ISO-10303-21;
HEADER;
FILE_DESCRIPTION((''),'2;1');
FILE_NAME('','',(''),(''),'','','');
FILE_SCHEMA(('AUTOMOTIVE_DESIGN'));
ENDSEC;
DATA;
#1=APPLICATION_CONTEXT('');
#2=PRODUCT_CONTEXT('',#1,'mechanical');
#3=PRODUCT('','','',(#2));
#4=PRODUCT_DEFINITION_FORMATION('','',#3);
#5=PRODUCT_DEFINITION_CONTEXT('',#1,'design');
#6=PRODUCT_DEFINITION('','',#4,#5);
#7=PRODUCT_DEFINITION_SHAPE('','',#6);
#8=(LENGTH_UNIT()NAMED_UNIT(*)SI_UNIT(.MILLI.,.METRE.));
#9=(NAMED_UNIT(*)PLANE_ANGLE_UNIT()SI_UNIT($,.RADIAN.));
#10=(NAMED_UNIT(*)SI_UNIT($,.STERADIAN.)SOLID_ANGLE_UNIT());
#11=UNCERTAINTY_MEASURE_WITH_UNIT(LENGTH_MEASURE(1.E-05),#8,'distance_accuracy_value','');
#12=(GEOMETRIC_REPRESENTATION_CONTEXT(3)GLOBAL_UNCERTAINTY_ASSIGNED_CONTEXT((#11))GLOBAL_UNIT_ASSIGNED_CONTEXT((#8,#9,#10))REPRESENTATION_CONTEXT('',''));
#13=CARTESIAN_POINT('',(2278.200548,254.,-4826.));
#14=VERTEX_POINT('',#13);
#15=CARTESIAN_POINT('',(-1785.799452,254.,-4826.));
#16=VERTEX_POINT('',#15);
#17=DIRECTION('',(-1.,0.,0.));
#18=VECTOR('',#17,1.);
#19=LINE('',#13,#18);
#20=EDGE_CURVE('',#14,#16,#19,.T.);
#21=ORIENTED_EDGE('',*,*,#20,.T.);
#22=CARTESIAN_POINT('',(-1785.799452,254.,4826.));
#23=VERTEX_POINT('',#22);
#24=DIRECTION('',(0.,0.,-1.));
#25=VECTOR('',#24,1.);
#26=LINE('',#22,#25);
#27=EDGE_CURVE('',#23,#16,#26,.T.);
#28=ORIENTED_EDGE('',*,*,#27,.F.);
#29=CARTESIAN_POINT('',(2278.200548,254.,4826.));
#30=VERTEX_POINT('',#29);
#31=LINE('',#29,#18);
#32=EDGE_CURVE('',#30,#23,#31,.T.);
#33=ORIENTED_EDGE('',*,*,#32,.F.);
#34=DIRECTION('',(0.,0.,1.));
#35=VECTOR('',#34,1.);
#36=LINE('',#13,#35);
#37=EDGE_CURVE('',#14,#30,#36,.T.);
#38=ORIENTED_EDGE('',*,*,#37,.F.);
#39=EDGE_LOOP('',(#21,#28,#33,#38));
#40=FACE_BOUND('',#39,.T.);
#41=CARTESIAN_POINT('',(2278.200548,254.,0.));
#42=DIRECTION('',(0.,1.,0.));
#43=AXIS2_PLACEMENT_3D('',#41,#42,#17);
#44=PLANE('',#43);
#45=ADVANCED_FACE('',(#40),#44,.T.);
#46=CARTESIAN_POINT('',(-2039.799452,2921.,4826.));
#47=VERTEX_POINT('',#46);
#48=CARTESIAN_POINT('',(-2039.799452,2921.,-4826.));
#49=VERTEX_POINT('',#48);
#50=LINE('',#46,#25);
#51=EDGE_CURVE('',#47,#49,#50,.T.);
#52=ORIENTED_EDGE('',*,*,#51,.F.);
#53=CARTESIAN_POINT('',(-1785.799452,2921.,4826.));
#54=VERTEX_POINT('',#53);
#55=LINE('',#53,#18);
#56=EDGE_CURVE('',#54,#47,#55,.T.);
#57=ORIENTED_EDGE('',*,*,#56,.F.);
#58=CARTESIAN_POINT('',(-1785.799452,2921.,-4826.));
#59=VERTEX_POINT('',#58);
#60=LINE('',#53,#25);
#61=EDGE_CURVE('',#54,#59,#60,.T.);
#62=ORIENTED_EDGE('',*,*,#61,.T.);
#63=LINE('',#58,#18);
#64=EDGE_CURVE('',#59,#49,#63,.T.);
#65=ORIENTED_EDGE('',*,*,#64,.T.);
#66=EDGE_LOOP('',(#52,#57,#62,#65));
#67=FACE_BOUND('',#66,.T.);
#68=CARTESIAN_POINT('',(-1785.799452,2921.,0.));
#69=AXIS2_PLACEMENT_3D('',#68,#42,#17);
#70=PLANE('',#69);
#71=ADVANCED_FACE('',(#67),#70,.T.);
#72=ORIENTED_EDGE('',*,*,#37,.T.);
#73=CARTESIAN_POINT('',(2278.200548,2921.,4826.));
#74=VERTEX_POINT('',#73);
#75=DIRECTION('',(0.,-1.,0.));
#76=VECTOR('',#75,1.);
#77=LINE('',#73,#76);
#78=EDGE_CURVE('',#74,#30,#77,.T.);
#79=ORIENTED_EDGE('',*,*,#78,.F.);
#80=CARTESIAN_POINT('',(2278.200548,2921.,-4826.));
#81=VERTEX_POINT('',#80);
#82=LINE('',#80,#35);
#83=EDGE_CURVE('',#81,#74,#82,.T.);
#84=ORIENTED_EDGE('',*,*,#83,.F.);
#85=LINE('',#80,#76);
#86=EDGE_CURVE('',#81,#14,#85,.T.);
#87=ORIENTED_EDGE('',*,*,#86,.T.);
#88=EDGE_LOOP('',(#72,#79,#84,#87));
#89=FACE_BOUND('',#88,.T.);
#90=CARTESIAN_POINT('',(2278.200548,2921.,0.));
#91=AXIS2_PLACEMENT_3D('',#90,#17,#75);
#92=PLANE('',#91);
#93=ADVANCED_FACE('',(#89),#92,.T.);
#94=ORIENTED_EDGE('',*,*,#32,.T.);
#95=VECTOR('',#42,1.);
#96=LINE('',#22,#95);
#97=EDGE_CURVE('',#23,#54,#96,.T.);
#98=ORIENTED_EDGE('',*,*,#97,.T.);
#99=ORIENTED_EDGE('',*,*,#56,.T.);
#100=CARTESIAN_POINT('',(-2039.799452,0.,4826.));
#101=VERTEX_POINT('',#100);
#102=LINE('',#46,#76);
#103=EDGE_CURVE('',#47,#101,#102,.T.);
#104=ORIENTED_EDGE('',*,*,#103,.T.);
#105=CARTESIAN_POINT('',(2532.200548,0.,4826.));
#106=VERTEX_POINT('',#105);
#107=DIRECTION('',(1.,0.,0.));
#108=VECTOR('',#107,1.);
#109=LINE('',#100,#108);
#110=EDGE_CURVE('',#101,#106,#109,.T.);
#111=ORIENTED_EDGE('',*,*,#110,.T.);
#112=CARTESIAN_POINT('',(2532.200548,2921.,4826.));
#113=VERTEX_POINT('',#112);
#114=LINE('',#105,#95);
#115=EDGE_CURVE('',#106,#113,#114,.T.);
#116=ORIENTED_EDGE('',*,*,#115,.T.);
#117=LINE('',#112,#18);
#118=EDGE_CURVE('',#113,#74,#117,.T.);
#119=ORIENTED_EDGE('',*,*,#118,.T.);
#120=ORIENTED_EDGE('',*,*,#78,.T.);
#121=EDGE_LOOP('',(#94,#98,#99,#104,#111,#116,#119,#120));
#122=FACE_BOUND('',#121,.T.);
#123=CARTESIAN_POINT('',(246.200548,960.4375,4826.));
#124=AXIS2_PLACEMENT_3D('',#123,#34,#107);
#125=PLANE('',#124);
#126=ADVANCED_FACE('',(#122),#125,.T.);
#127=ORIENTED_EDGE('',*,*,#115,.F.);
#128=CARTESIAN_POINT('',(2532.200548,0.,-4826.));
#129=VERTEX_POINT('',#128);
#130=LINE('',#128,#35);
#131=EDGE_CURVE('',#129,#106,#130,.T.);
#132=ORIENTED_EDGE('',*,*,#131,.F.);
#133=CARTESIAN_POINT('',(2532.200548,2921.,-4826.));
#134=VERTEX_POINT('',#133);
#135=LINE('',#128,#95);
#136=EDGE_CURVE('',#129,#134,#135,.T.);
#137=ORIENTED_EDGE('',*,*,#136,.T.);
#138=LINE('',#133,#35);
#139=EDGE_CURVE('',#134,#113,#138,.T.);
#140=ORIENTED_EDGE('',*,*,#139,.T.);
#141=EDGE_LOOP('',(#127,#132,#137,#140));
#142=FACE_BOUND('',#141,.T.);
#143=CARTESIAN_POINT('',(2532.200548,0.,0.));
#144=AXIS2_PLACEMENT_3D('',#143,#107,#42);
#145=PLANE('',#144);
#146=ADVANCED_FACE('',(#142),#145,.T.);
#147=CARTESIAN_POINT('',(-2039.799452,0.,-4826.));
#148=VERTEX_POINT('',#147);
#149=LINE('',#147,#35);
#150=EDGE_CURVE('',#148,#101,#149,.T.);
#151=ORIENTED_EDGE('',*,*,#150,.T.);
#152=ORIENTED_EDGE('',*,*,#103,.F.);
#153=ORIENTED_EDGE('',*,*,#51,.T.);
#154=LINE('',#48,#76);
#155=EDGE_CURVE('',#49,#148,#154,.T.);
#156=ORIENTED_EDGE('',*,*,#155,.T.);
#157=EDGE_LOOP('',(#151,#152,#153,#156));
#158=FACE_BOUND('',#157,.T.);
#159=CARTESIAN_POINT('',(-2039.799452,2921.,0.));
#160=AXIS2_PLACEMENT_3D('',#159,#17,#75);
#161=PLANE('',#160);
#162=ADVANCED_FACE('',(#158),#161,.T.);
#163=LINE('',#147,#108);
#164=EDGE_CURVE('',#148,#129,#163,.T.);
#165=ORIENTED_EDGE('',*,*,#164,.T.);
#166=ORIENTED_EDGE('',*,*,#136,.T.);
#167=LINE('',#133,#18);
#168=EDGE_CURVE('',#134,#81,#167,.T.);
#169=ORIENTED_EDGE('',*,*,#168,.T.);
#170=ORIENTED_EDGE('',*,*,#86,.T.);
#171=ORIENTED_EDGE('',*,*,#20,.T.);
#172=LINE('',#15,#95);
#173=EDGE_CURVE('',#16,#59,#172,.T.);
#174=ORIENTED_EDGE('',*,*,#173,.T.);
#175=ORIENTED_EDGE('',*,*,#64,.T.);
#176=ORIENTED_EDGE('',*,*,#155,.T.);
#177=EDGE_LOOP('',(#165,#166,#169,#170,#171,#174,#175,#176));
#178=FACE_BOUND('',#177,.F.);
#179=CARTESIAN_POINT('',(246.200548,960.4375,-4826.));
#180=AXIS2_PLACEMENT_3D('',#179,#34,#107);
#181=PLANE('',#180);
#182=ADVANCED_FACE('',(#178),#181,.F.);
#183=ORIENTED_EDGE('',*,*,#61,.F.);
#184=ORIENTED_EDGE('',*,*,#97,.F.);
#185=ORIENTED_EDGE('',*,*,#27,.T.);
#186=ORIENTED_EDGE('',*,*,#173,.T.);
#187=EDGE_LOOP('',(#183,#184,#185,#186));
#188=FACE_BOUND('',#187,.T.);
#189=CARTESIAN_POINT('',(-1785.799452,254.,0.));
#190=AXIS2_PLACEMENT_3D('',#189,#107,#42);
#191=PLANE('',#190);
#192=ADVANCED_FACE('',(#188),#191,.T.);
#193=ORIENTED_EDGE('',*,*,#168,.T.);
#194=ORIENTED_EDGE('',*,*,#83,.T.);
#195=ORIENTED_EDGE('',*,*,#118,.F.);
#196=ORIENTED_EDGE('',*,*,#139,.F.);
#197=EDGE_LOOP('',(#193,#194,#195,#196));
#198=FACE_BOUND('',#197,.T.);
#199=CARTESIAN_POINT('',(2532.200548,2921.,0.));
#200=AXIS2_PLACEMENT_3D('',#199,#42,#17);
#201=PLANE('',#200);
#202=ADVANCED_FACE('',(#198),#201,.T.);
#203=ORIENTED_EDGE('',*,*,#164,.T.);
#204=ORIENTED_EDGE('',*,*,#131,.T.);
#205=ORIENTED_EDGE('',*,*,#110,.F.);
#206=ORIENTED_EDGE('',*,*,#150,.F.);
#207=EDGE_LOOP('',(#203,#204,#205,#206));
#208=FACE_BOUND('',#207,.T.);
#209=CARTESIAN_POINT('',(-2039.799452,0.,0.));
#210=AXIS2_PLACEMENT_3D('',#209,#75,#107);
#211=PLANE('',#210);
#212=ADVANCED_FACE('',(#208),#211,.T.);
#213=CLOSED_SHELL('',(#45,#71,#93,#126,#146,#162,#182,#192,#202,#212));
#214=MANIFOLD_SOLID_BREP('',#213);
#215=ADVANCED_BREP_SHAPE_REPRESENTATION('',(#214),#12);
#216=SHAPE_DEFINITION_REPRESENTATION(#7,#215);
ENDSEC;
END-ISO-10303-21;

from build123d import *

# Parameters (mm, degrees)
F1_DEPTH = 4826


with BuildPart() as f1:
    # F0 (on Top) → F1 (new body, symmetric)
    with BuildSketch(Plane.XY):
        Polygon((-2039.799452, 2921), (-2039.799452, 0), (2532.200548, 0), (2532.200548, 2921), (2278.200548, 2921), (2278.200548, 254), (-1785.799452, 254), (-1785.799452, 2921), align=None)
    extrude(amount=F1_DEPTH, both=True)


solid = f1.part
